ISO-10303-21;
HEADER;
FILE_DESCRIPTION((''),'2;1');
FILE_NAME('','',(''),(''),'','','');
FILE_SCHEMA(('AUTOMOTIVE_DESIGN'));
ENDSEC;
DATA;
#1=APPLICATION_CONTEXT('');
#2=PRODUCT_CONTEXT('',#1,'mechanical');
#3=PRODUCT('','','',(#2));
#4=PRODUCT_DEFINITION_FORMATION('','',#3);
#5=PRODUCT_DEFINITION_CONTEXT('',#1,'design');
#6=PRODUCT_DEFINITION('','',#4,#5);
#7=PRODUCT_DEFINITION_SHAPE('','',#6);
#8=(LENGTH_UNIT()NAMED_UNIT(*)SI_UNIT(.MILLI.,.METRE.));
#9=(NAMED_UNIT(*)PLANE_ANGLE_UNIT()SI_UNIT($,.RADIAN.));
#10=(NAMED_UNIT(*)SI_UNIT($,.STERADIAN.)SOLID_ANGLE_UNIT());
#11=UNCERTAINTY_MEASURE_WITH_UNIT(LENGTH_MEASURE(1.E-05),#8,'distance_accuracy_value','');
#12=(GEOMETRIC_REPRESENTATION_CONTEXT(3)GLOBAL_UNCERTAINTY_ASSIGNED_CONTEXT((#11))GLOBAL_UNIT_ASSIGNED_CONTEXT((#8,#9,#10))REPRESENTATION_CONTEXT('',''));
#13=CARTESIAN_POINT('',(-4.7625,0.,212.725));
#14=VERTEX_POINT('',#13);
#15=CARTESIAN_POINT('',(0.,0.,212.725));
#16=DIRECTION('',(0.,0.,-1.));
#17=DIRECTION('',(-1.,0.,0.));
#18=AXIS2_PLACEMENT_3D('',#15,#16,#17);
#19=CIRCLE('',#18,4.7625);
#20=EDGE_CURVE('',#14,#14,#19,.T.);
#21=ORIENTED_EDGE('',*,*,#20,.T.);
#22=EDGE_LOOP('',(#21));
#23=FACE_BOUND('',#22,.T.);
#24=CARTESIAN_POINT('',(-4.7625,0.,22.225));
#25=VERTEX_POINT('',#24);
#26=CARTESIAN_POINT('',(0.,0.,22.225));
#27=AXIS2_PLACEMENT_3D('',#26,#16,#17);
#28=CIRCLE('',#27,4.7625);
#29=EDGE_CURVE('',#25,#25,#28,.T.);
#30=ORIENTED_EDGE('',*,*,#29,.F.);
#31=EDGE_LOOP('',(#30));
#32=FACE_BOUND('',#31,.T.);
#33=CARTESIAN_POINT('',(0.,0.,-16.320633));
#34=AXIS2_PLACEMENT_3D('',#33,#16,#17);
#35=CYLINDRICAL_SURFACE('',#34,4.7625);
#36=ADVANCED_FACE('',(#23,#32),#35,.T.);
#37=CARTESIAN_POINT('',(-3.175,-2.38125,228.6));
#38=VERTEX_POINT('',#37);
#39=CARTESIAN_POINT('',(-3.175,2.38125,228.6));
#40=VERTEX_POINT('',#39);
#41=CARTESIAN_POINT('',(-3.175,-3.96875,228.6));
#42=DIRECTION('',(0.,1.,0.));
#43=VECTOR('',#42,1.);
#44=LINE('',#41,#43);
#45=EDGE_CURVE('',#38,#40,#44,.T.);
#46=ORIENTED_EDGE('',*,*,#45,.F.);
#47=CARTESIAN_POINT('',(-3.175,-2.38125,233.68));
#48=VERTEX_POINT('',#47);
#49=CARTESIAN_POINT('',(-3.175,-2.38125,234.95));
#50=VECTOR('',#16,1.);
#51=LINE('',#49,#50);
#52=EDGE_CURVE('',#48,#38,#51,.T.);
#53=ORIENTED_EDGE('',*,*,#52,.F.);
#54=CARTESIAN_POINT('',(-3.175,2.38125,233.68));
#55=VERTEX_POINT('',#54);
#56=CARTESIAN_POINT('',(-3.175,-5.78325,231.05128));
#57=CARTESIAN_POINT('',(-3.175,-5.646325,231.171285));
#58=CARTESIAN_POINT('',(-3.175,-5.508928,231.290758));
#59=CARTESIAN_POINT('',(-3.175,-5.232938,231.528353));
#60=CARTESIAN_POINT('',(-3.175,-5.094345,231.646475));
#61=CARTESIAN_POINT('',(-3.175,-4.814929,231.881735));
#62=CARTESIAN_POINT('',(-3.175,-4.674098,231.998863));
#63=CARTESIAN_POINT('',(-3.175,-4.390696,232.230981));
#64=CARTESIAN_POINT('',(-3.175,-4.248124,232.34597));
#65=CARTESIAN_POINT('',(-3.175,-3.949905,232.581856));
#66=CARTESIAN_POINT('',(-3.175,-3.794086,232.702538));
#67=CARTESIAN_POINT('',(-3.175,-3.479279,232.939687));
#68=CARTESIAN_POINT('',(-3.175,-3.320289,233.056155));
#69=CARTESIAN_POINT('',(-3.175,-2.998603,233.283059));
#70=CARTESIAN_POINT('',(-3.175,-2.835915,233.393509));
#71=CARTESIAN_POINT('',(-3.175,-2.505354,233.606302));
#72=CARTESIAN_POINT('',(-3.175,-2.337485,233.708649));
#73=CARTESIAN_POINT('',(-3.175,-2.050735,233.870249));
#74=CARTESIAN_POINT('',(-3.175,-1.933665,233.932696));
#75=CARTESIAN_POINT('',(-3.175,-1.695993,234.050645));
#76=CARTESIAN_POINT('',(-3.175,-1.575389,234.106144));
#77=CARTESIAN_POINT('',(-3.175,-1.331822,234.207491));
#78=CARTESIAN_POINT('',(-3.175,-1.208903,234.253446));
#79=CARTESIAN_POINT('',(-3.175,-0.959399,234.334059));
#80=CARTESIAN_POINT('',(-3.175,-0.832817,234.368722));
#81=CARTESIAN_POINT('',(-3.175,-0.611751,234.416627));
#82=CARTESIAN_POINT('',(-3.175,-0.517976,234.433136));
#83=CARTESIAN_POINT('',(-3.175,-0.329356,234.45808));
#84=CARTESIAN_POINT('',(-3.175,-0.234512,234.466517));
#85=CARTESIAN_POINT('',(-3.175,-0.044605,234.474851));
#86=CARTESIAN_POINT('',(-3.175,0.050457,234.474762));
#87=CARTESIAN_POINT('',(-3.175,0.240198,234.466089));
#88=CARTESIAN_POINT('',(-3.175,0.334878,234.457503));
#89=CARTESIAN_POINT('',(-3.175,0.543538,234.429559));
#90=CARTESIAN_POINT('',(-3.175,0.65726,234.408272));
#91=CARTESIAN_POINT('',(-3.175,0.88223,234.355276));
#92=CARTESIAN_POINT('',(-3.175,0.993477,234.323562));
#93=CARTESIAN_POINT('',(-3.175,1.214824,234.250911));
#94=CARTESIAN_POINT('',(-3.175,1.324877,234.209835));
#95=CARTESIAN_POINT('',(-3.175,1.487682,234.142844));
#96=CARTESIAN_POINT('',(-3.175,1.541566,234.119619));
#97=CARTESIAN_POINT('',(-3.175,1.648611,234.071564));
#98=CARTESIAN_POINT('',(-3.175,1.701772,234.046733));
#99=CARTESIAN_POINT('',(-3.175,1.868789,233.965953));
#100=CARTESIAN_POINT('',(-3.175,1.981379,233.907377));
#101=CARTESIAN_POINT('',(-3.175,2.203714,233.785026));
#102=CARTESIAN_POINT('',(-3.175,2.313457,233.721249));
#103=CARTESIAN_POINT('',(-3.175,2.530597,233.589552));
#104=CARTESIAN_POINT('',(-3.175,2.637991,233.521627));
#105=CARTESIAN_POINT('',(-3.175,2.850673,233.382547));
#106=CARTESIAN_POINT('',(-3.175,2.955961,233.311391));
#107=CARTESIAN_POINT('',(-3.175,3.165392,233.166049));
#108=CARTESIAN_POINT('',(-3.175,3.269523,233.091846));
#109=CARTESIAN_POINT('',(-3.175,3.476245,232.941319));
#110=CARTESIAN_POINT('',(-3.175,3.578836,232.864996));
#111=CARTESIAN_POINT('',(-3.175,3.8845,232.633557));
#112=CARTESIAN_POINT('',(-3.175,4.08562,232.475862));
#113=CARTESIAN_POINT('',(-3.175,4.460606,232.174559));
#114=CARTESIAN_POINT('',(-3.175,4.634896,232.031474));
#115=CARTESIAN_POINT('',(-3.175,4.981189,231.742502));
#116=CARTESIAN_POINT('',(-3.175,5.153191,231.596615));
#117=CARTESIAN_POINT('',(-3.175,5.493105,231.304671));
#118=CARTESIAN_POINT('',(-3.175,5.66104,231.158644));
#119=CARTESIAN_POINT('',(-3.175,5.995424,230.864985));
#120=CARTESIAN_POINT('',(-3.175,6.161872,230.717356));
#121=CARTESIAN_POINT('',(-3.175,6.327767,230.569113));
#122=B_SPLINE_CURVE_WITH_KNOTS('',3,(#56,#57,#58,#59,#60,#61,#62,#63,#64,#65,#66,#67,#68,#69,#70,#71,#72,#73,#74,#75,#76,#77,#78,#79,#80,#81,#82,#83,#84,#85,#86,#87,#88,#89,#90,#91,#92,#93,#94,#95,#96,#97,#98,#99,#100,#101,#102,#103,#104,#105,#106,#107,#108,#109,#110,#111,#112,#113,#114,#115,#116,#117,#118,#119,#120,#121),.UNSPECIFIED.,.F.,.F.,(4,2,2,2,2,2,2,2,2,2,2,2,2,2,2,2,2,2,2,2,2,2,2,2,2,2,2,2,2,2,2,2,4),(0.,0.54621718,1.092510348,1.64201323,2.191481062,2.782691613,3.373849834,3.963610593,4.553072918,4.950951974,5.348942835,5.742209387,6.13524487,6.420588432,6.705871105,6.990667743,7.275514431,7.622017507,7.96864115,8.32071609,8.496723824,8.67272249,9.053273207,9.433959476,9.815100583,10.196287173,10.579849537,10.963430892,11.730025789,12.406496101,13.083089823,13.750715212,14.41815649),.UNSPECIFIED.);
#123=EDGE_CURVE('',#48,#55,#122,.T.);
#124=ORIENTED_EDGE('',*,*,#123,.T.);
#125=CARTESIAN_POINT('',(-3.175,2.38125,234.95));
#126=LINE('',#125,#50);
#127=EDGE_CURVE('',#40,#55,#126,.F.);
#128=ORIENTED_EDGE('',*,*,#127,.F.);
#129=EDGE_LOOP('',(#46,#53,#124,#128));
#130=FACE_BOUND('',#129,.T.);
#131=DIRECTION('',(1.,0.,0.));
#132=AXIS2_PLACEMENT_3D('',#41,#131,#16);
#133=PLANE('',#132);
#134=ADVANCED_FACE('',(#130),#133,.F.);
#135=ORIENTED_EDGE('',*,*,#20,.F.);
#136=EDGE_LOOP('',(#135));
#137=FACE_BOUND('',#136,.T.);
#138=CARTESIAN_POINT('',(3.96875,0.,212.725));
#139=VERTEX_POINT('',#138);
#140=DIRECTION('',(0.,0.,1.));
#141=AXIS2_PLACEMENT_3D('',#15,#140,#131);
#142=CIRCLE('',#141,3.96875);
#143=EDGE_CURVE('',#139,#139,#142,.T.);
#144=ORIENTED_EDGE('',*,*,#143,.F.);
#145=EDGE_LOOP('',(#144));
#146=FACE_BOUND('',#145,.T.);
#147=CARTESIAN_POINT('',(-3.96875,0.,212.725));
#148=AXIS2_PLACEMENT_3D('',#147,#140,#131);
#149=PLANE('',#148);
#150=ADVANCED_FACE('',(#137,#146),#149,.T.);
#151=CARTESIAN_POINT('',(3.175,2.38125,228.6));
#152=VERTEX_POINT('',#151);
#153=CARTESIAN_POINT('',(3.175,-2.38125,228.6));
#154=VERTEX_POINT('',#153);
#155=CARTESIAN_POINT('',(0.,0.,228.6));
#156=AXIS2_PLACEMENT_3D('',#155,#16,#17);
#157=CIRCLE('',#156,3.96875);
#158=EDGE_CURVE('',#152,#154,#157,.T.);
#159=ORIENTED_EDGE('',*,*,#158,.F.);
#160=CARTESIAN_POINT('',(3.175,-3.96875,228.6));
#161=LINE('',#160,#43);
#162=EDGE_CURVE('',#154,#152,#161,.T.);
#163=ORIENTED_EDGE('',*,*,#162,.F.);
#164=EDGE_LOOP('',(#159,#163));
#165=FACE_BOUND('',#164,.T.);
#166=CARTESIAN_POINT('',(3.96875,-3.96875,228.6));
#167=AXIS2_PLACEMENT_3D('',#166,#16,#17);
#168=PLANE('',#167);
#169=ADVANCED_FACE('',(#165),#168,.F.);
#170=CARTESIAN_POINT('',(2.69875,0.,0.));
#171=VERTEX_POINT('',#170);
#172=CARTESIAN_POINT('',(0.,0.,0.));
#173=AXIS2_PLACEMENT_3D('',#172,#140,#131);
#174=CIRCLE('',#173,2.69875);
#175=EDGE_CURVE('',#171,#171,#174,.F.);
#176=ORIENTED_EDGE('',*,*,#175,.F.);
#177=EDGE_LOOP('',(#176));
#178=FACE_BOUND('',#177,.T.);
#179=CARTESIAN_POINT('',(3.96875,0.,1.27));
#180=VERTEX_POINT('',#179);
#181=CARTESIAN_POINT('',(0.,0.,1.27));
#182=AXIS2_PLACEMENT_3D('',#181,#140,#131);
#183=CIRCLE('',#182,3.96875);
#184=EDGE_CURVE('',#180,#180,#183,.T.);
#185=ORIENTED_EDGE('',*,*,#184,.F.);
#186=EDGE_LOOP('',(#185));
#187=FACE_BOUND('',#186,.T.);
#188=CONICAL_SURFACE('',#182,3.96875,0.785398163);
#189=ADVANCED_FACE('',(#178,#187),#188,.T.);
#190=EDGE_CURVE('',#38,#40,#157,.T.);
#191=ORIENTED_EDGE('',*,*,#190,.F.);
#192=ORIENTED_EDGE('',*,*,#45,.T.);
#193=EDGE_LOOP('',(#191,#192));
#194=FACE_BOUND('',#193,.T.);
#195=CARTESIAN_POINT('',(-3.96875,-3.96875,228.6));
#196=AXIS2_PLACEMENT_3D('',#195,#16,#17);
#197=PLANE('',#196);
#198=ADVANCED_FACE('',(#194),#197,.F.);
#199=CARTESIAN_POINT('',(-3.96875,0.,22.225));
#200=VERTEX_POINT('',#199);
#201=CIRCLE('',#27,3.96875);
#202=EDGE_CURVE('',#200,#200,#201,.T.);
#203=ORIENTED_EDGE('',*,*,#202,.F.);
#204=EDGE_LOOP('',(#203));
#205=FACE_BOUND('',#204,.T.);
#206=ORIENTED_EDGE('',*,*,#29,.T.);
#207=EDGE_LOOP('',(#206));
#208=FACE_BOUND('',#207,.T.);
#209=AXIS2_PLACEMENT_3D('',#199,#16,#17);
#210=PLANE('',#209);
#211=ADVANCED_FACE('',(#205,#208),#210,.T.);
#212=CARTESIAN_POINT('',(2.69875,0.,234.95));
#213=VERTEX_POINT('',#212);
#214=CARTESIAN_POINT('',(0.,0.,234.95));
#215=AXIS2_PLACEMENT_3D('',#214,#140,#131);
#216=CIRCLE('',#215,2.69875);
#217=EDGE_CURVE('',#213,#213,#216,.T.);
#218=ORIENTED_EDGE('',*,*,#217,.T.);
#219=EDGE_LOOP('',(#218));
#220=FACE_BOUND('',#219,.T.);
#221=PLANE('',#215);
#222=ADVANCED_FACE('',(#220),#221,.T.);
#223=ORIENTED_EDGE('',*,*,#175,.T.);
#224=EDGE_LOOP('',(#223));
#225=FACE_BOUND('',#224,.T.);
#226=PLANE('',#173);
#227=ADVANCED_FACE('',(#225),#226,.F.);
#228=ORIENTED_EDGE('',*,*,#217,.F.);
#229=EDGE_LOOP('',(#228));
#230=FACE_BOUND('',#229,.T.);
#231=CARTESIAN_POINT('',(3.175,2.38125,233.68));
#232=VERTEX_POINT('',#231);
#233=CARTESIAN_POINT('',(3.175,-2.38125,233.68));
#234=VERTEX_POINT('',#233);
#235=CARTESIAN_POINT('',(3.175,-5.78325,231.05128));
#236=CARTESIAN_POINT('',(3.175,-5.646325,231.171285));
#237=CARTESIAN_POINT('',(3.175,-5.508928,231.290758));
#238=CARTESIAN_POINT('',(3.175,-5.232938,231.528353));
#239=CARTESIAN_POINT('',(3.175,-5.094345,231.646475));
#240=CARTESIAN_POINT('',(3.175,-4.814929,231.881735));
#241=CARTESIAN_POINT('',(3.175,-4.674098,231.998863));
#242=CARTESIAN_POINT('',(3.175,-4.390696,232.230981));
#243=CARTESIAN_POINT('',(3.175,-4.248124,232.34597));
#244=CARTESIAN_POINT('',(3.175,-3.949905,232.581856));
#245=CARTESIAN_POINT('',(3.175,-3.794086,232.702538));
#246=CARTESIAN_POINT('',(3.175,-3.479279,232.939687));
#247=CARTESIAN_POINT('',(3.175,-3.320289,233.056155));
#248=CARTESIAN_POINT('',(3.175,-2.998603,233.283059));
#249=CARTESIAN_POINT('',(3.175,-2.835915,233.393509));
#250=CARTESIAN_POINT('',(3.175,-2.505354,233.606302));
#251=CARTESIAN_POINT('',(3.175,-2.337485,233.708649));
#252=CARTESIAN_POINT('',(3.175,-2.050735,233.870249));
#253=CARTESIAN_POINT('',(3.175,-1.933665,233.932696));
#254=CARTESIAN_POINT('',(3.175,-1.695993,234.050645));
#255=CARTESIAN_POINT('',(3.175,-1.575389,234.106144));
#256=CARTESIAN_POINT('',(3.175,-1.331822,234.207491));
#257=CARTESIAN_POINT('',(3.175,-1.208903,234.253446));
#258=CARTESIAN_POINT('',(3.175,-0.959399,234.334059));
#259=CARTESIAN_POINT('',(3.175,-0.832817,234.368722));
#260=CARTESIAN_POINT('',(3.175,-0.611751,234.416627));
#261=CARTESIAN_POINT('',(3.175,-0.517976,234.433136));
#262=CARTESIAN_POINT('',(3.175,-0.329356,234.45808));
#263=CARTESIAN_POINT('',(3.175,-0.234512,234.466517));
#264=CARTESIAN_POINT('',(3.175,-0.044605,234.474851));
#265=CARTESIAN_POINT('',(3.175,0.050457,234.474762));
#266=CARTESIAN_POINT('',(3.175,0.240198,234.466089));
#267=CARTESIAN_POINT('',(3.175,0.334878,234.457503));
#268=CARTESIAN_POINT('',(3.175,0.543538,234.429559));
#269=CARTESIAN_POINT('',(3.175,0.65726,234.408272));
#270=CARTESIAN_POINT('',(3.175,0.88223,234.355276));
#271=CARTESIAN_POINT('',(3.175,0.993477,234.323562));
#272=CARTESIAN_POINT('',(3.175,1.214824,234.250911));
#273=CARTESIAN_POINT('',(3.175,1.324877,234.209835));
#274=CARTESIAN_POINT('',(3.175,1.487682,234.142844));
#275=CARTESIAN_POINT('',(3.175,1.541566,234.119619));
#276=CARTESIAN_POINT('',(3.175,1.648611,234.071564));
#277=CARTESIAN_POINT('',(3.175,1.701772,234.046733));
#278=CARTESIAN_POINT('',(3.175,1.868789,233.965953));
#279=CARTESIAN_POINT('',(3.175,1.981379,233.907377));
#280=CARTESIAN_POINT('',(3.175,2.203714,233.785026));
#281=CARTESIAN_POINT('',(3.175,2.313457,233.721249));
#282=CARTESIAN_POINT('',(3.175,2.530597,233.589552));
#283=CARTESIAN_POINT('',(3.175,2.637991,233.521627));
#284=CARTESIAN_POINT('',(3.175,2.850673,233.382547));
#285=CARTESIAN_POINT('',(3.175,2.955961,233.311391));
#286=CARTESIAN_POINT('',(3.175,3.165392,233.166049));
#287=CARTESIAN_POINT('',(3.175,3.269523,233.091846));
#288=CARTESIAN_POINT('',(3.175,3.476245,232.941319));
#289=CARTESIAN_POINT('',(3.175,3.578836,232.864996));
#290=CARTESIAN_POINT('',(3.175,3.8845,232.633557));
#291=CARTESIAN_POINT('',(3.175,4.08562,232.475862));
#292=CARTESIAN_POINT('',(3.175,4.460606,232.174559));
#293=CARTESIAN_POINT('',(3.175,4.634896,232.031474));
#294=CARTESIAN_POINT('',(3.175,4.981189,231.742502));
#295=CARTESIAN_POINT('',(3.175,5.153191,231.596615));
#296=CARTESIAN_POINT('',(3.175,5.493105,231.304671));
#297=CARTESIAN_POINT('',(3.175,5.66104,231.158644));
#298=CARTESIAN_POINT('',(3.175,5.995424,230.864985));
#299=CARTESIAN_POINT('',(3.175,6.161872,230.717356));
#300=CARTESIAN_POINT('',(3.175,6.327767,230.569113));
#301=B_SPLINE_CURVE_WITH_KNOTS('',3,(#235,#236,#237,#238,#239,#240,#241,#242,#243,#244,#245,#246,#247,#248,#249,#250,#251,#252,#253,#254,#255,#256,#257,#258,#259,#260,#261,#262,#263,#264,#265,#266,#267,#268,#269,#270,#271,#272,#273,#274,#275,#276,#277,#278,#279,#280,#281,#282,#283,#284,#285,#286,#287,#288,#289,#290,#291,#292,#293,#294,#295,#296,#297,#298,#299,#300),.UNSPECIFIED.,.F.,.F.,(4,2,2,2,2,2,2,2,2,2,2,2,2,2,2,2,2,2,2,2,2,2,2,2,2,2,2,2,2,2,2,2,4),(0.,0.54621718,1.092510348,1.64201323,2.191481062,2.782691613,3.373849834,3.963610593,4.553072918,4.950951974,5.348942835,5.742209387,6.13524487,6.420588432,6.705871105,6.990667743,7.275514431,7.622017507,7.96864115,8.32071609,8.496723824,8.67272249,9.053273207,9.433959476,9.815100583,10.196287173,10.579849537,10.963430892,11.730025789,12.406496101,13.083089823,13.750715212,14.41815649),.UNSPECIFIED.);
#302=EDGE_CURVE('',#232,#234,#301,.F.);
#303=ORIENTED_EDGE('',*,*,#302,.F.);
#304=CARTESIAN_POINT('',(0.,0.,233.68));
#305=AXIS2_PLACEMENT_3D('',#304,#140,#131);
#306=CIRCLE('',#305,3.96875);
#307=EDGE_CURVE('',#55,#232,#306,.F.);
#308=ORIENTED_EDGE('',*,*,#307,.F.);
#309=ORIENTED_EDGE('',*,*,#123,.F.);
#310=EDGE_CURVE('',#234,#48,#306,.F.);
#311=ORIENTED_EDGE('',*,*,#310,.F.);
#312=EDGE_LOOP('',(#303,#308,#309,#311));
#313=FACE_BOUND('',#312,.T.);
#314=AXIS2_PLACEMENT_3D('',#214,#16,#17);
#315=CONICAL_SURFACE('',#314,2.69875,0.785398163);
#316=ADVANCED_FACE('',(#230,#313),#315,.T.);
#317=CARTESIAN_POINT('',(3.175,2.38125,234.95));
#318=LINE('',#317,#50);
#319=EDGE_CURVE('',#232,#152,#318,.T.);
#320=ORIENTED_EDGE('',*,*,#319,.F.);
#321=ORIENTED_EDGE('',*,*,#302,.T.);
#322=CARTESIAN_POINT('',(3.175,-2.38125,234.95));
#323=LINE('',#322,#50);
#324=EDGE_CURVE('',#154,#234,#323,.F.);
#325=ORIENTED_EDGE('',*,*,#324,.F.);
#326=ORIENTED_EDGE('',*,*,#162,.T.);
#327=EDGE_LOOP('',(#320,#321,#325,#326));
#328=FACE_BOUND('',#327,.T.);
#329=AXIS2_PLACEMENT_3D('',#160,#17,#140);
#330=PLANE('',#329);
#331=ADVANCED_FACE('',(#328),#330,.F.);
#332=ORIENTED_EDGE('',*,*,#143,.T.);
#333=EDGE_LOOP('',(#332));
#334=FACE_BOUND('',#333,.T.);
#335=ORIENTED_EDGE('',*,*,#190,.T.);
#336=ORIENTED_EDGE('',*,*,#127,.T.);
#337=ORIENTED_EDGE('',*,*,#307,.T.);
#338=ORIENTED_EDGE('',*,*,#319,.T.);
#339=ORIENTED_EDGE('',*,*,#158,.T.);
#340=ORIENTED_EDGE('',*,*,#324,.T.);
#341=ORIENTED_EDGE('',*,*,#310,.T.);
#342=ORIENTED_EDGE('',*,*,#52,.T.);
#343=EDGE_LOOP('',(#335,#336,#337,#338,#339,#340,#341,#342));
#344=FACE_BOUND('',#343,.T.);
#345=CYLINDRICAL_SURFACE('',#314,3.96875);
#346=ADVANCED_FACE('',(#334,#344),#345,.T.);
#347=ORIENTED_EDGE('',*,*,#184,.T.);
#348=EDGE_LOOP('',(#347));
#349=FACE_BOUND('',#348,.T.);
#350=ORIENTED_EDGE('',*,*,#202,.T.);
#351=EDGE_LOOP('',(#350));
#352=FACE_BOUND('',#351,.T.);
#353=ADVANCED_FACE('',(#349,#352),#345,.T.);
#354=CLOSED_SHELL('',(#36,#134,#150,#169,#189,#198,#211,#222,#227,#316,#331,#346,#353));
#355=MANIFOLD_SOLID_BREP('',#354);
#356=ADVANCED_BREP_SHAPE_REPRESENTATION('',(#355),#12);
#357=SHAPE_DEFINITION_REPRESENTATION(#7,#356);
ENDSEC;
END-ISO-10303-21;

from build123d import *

# Parameters (mm, degrees)
SKETCH1_R               = 3.96875
EXTRUDE1_DEPTH          = 234.95
CHAMFER1_SIZE           = 1.27
SKETCH3_W               = 0.79375
SKETCH3_H               = 6.35
CUT_EXTRUDE1_DEPTH      = 4.96875
CUT_EXTRUDE1_DEPTH_BACK = 4.96875
SKETCH4_W               = 0.79375
SKETCH4_H               = 190.5


with BuildPart() as part:
    # Sketch1 → Extrude1 (new body)
    with BuildSketch(Plane.XY):
        Circle(SKETCH1_R)
    extrude(amount=EXTRUDE1_DEPTH)

    # Chamfer1
    chamfer1_edges = [part.edges().sort_by_distance(p)[0] for p in [
        (-3.96875, 0, 0),
        (-3.96875, 0, 234.95),
    ]]
    chamfer(chamfer1_edges, length=CHAMFER1_SIZE)

    # Sketch3 → Cut-Extrude1 (cut, two sides)
    with BuildSketch(Plane(origin=(0, 0, 0), x_dir=(1, 0, 0), z_dir=(0, 1, 0))) as cut_extrude1_sk:
        with Locations((3.571875, -231.775)):
            Rectangle(SKETCH3_W, SKETCH3_H)
        with Locations((-3.571875, -231.775)):
            Rectangle(SKETCH3_W, SKETCH3_H)
    extrude(amount=CUT_EXTRUDE1_DEPTH, mode=Mode.SUBTRACT)
    extrude(cut_extrude1_sk.sketch, amount=-CUT_EXTRUDE1_DEPTH_BACK, mode=Mode.SUBTRACT)

    # Sketch4 → Revolve1 (revolve)
    with BuildSketch(Plane(origin=(0, 0, 0), x_dir=(1, 0, 0), z_dir=(0, 1, 0)), mode=Mode.PRIVATE) as revolve1_sk:
        with Locations((-4.365625, -117.475)):
            Rectangle(SKETCH4_W, SKETCH4_H)
    revolve(revolve1_sk.sketch.rotate(Axis((0, 0, -16.320632547), (0, 0, 1)), 323.130102354), axis=Axis((0, 0, -16.320632547), (0, 0, 1)))  # turned: the seam where the file's is


solid = part.part
